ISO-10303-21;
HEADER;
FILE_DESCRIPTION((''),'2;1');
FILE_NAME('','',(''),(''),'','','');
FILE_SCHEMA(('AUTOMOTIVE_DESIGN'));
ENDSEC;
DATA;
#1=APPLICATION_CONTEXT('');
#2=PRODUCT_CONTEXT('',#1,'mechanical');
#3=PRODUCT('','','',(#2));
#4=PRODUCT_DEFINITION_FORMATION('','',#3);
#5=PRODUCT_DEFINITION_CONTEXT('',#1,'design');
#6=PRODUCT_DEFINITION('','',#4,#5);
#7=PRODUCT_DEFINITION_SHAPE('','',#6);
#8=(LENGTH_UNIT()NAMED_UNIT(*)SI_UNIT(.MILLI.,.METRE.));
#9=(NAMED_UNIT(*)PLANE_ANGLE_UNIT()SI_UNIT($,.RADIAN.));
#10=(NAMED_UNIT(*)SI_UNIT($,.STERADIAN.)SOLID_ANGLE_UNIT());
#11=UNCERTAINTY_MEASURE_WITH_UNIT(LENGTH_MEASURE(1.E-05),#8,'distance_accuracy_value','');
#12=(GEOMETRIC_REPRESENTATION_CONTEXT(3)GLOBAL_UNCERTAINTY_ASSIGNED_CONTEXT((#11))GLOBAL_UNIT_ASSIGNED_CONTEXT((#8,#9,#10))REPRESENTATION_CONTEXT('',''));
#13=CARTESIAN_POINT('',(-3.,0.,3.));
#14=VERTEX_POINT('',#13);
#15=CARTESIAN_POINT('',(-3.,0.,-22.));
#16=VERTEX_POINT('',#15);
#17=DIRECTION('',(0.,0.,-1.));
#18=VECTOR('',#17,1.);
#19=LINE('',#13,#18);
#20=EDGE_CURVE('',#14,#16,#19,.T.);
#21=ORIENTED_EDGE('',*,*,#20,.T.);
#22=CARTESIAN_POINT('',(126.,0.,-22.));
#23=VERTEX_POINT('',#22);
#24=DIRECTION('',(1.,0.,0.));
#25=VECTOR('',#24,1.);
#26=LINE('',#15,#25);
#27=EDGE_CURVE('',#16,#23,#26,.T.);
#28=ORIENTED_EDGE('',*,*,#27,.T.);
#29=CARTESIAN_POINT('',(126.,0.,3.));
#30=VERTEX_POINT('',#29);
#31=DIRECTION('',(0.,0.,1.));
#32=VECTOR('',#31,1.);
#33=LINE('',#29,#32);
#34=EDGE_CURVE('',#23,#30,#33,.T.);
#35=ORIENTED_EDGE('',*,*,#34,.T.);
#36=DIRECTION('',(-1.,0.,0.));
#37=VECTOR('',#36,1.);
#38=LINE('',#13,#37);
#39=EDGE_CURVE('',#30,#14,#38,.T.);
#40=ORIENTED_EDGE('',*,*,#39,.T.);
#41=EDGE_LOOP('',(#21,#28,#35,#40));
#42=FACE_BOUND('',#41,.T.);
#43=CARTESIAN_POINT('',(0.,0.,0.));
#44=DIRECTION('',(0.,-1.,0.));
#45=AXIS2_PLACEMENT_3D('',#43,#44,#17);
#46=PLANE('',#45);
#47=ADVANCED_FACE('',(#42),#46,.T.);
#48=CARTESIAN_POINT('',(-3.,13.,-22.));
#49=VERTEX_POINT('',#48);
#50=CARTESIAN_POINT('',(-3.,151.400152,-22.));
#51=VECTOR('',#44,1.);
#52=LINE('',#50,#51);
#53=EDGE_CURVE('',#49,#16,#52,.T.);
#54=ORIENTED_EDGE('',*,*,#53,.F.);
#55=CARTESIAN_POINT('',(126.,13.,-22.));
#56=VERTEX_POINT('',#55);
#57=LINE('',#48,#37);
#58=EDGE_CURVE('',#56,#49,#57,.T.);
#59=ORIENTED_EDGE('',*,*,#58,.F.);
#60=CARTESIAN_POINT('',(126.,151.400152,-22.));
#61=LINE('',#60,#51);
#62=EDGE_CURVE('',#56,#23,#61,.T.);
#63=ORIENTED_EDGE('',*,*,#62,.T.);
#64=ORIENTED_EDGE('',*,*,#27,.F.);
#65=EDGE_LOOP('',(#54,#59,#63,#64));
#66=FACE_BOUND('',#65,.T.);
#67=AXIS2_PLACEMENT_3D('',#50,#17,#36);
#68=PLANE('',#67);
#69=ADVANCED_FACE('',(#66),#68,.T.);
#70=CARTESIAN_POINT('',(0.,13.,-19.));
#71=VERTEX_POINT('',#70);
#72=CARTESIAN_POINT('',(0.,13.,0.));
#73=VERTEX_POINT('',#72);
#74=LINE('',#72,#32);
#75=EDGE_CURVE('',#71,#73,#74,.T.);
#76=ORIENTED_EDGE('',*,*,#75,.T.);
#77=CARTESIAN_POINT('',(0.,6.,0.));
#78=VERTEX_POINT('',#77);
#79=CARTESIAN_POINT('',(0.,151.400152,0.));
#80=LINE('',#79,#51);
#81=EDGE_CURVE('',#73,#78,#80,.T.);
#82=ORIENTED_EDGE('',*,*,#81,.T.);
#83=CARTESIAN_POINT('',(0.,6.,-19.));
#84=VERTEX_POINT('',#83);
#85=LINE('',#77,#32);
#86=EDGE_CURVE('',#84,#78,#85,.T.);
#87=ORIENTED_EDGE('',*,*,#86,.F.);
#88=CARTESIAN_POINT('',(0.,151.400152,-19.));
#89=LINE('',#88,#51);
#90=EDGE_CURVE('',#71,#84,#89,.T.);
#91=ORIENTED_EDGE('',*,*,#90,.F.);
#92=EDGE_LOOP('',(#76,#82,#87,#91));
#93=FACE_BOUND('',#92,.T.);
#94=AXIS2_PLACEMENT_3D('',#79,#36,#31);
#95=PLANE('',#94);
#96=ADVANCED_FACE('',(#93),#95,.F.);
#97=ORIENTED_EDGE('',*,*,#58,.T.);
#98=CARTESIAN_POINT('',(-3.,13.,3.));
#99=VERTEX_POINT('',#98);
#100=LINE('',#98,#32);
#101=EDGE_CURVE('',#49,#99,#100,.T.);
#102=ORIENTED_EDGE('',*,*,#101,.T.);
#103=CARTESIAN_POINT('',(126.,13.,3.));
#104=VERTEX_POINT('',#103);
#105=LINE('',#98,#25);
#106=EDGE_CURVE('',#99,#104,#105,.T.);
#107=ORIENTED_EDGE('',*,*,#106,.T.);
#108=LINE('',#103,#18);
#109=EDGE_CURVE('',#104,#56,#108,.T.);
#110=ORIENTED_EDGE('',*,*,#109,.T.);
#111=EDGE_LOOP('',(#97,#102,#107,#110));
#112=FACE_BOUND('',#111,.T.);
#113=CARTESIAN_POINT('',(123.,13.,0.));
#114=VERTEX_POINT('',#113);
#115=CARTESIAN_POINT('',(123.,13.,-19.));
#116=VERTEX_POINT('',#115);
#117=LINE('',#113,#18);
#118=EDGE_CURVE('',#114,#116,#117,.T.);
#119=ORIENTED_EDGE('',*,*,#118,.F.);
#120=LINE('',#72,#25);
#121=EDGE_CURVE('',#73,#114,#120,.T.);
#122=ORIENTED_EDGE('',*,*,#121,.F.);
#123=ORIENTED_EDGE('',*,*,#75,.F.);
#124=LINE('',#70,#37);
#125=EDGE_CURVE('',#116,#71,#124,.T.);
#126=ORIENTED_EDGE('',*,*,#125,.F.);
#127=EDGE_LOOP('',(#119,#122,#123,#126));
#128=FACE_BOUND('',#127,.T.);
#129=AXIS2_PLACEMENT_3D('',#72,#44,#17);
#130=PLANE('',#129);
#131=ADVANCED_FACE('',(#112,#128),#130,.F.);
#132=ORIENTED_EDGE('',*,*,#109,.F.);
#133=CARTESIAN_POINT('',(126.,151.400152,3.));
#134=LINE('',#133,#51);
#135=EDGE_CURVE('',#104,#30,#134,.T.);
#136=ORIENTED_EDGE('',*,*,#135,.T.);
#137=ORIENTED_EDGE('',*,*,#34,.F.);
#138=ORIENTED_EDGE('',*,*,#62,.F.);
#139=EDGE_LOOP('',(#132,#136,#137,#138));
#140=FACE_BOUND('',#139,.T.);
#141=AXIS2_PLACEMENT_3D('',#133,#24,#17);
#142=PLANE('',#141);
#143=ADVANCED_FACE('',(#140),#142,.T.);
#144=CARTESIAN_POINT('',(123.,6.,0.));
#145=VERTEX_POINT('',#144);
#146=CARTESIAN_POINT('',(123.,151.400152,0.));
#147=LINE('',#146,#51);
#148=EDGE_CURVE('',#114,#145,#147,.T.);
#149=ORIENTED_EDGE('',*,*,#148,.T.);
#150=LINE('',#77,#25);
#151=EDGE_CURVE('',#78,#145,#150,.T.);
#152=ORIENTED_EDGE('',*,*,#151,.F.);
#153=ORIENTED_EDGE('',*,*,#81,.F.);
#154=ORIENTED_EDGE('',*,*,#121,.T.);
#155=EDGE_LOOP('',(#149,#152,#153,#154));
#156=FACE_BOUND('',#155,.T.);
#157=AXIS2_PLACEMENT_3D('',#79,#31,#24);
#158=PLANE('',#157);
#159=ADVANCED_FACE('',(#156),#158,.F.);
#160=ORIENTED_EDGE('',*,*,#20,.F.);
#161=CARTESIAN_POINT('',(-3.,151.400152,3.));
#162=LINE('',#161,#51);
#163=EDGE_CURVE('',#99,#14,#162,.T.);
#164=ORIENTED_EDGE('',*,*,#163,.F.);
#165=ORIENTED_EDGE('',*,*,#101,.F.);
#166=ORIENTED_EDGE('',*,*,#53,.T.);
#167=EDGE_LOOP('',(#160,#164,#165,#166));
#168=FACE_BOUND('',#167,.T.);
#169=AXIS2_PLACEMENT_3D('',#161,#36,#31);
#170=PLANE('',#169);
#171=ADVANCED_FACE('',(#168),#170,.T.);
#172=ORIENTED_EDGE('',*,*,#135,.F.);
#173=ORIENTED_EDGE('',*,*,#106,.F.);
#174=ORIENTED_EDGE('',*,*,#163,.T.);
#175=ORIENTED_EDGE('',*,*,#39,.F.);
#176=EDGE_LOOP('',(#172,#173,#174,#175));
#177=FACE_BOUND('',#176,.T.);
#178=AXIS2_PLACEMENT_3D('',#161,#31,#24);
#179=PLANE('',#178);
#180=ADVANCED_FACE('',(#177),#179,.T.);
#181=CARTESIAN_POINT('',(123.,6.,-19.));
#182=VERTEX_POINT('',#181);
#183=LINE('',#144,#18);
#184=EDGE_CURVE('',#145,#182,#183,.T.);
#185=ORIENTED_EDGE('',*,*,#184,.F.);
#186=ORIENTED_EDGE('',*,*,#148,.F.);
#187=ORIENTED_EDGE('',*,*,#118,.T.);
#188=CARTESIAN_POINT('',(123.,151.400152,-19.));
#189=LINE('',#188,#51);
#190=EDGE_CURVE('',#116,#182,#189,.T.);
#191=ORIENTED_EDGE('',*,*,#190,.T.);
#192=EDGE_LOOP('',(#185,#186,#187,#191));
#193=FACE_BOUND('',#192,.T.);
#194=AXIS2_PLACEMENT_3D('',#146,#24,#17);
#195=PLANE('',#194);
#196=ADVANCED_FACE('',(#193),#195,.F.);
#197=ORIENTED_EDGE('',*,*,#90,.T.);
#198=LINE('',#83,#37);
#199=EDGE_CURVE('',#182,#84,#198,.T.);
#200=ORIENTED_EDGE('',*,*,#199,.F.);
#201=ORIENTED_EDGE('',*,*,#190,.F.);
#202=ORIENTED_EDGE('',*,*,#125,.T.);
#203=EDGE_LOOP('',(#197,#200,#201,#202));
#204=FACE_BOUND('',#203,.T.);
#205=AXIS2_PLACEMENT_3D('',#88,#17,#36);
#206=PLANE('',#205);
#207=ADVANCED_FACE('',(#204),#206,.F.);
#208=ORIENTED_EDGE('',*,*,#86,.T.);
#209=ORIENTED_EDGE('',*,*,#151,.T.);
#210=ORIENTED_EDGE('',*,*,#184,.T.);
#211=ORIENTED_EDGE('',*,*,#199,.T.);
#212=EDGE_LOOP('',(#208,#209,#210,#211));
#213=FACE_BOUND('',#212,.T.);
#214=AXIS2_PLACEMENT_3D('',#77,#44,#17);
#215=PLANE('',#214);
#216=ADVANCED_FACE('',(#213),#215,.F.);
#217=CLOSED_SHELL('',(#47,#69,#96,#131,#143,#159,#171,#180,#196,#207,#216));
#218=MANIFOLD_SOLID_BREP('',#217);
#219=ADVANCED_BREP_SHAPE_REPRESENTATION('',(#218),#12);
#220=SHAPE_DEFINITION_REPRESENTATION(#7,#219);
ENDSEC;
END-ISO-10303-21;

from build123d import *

# Parameters (mm, degrees)
SKETCH1_W           = 123
SKETCH1_H           = 19
BOSS_EXTRUDE1_DEPTH = 6
SKETCH2_W           = 129
SKETCH2_H           = 25
SKETCH2_W_2         = 123
SKETCH2_H_2         = 19
BOSS_EXTRUDE3_DEPTH = 13


with BuildPart() as part:
    # Sketch1 → Boss-Extrude1 (new body)
    with BuildSketch(Plane(origin=(0, 0, 0), x_dir=(1, 0, 0), z_dir=(0, 1, 0))):
        with Locations((61.5, 9.5)):
            Rectangle(SKETCH1_W, SKETCH1_H)
    extrude(amount=BOSS_EXTRUDE1_DEPTH)

    # Sketch2 → Boss-Extrude3 (add)
    with BuildSketch(Plane.XZ):
        with Locations((61.5, -9.5)):
            Rectangle(SKETCH2_W, SKETCH2_H)
        with Locations((61.5, -9.5)):
            Rectangle(SKETCH2_W_2, SKETCH2_H_2, mode=Mode.SUBTRACT)
    extrude(amount=-BOSS_EXTRUDE3_DEPTH)


solid = part.part
